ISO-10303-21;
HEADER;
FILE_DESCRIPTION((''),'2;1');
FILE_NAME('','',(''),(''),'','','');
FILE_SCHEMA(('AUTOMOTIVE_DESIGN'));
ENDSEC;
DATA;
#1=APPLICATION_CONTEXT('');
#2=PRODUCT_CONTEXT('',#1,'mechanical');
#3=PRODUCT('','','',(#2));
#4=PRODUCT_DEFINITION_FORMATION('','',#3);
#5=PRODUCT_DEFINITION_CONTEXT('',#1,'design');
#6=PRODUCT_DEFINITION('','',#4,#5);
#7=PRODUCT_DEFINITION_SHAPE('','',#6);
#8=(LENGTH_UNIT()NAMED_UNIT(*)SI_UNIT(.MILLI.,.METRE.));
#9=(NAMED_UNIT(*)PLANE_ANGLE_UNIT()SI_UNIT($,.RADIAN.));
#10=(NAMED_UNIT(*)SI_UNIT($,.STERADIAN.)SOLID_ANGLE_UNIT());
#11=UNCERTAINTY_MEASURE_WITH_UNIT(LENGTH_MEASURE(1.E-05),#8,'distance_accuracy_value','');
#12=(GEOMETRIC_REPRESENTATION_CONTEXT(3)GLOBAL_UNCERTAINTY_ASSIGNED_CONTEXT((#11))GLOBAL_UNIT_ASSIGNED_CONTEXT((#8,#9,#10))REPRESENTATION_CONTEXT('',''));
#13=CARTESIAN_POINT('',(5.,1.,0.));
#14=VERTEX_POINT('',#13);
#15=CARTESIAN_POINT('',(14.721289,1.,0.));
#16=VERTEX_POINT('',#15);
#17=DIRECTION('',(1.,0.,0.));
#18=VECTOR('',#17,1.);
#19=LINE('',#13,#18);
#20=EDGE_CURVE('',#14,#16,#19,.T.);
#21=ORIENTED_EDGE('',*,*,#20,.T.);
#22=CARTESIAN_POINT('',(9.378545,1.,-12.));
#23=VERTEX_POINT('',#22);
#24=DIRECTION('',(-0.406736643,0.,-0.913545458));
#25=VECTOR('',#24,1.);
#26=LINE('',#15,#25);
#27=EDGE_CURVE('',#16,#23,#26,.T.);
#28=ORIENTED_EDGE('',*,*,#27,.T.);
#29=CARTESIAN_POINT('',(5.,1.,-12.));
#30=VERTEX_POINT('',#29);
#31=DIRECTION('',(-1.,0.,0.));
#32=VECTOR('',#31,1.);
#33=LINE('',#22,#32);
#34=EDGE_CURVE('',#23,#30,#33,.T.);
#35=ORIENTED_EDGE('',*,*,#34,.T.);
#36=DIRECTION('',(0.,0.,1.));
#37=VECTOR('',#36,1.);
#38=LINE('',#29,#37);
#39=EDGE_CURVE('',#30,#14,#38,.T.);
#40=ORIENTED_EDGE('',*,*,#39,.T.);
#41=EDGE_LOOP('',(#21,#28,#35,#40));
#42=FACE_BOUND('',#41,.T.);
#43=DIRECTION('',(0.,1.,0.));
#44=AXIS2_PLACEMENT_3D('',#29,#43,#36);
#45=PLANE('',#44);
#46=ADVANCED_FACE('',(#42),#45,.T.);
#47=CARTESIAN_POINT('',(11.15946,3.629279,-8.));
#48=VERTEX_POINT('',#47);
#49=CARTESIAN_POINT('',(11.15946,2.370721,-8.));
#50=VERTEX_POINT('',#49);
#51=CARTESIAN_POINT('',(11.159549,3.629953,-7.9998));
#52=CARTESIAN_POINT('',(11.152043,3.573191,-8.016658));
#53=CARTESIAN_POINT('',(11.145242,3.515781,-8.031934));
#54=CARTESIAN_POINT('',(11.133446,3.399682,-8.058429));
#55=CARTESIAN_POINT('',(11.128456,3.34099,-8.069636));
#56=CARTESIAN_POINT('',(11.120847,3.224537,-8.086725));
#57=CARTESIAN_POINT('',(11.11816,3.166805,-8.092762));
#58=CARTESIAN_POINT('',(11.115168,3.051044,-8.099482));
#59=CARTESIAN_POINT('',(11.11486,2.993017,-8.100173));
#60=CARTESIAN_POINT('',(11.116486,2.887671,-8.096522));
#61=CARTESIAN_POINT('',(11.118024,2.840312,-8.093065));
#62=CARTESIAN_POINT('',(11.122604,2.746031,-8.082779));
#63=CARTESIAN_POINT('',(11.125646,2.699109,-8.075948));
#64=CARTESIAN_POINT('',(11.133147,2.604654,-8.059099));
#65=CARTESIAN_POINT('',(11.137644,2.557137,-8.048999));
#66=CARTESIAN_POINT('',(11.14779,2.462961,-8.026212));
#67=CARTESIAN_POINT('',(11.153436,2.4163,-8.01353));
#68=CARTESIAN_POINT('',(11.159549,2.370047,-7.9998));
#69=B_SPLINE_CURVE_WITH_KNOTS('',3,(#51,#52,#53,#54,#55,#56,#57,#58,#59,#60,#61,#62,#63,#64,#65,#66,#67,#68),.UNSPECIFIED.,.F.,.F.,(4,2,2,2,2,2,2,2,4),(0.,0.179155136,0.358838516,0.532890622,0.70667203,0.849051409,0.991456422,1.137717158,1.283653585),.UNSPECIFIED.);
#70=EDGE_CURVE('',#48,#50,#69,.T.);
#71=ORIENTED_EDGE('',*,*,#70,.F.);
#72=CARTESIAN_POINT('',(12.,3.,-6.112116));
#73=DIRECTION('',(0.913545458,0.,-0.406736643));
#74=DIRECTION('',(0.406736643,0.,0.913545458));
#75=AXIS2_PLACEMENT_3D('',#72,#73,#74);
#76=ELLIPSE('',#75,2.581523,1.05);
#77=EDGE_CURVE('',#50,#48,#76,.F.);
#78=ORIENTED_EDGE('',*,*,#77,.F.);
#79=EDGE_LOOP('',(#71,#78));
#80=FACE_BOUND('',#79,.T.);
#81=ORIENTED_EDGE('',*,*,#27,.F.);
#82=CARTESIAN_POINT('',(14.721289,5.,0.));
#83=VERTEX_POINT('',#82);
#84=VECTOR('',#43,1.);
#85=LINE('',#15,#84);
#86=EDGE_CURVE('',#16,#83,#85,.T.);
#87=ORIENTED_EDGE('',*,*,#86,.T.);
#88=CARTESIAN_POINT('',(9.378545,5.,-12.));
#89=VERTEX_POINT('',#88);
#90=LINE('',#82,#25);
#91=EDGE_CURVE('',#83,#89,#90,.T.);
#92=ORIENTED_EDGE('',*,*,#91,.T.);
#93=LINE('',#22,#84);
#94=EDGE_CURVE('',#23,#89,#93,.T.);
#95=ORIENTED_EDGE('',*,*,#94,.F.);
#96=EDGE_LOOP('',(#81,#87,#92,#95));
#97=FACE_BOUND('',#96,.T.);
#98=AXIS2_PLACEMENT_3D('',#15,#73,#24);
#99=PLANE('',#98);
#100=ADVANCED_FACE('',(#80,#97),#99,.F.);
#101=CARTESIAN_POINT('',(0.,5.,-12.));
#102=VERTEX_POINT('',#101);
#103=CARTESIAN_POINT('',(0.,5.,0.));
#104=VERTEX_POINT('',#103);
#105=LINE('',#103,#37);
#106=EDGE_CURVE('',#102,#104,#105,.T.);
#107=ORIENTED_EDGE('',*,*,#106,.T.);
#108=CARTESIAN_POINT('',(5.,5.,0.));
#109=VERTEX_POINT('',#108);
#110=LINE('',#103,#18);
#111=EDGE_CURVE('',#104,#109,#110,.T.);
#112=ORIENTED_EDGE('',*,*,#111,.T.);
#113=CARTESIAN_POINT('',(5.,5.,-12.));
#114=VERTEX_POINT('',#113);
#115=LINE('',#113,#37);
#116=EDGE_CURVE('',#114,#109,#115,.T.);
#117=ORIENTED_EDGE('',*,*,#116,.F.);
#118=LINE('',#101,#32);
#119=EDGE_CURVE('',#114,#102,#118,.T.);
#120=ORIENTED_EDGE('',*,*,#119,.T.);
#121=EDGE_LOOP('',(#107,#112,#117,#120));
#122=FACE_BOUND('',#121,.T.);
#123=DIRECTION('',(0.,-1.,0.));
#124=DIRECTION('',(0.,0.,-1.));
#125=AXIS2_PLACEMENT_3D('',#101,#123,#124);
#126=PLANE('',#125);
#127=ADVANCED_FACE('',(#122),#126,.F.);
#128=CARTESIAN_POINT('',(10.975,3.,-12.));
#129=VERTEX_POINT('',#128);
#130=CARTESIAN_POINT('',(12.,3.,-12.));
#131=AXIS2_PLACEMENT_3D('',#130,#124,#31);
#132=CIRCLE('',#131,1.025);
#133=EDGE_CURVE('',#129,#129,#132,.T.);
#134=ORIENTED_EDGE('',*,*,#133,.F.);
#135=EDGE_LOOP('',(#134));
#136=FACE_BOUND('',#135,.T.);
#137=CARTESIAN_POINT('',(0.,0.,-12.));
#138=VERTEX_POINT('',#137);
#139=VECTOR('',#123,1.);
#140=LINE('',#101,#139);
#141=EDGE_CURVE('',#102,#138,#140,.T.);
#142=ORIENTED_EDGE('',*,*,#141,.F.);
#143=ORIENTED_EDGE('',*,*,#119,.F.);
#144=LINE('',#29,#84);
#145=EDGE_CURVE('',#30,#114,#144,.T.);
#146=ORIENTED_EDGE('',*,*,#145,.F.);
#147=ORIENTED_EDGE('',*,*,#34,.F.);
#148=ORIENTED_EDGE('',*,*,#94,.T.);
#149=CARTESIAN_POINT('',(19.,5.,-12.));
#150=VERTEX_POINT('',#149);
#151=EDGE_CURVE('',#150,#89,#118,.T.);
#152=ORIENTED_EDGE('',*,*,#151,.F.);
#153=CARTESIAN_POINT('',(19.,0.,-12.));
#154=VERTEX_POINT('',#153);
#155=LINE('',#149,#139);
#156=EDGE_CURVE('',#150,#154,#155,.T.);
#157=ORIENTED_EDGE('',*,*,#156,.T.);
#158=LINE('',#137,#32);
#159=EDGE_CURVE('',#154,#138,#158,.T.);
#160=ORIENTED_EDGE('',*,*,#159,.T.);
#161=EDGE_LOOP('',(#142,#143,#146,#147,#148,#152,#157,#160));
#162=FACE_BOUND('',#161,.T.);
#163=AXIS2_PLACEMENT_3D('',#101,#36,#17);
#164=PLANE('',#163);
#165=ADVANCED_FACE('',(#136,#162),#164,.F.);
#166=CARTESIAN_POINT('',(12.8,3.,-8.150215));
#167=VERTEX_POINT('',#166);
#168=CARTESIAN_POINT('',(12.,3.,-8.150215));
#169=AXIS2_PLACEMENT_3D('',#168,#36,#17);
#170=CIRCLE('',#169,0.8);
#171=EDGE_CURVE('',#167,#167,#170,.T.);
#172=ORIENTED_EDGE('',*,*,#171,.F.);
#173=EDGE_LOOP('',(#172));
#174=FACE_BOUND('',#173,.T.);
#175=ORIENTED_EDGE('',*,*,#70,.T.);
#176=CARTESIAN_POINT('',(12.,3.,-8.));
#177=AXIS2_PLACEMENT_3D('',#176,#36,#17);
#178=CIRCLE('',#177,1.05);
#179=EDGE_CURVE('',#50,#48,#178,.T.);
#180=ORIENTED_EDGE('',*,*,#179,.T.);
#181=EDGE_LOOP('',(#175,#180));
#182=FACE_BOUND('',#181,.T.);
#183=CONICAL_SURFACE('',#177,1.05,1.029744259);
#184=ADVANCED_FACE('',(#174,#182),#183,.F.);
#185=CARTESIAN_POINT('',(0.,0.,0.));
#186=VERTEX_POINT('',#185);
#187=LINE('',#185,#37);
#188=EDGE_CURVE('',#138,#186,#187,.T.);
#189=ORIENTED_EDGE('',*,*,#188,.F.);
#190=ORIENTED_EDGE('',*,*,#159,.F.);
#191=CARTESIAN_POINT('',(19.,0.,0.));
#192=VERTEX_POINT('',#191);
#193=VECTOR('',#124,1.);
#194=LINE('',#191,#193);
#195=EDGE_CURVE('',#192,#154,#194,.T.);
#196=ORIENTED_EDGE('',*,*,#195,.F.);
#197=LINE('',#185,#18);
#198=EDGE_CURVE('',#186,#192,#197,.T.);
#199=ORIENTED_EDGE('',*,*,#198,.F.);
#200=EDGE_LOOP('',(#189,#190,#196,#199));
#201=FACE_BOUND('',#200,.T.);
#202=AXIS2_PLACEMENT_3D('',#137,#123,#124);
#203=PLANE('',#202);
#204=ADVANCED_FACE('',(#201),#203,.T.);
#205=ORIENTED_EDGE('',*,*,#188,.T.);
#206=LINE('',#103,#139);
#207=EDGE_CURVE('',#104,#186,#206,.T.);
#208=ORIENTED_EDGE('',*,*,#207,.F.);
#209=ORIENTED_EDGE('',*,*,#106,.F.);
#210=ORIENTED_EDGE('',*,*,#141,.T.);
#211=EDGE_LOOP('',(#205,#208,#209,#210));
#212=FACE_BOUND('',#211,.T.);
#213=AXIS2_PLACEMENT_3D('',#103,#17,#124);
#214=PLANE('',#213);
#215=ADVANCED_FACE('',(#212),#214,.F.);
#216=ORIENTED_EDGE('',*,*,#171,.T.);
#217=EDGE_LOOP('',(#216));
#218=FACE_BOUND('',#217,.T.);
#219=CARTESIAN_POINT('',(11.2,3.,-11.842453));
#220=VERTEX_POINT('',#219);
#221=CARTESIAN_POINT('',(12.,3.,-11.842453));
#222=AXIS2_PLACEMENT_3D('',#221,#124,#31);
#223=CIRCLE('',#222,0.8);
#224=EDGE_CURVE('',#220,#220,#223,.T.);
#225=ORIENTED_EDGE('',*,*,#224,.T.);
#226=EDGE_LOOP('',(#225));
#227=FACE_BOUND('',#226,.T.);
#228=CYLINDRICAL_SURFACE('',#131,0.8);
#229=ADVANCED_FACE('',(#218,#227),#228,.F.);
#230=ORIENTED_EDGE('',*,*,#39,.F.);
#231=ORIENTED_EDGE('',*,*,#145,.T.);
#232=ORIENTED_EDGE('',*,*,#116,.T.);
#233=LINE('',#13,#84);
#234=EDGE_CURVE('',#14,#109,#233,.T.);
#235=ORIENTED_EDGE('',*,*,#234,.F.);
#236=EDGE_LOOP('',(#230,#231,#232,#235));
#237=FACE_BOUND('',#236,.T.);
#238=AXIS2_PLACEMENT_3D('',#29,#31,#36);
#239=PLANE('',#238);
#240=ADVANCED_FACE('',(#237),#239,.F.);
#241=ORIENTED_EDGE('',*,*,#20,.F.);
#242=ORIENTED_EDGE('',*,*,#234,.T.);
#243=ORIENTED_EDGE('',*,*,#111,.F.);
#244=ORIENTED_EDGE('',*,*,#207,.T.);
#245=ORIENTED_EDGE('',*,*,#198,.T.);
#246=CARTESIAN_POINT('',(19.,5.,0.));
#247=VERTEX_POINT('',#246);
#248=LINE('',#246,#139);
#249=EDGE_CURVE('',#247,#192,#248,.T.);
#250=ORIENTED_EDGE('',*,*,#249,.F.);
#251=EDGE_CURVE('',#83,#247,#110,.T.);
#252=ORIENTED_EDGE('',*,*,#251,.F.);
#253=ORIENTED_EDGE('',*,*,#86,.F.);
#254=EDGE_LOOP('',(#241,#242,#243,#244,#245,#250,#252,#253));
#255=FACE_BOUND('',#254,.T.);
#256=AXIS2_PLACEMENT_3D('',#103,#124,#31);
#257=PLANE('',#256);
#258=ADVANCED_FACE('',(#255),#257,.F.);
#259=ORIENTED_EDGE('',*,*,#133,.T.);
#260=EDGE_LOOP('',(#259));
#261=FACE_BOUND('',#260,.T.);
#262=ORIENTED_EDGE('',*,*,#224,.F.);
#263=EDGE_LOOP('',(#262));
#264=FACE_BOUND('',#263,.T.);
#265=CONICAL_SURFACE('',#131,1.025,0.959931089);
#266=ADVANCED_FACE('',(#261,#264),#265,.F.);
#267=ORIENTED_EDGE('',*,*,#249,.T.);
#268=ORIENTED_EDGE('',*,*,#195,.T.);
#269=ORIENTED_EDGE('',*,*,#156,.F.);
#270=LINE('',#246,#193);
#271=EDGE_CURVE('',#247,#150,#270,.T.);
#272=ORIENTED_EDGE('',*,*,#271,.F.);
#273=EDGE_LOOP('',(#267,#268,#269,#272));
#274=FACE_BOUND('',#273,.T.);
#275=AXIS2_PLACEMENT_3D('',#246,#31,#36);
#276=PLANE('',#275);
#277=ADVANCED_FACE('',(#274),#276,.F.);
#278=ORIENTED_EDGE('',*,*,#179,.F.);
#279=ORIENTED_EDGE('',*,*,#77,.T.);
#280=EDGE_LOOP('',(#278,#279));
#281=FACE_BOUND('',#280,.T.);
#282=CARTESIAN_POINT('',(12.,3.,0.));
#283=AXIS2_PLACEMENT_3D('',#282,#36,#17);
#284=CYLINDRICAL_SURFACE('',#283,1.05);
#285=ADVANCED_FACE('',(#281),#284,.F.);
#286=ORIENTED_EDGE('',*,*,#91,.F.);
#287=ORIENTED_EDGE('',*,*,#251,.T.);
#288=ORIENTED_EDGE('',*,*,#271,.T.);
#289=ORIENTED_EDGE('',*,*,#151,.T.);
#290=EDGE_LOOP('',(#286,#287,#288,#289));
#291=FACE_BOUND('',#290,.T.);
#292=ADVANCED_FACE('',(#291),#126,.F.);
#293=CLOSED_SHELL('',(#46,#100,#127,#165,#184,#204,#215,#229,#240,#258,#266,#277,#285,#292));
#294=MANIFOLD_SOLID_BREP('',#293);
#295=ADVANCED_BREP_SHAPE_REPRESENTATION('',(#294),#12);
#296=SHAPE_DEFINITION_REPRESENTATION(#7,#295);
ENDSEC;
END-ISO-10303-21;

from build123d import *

# Parameters (mm, degrees)
SKETCH_3_W            = 19
SKETCH_3_H            = 12
EXTRUDE_1_DEPTH       = 5
HOLE_WIZARD_M23_D     = 2.1
HOLE_WIZARD_M23_DEPTH = 8
HOLE_WIZARD_M23_TIP   = 0.63090365
CUT_EXTRUDE_1_DEPTH   = 4


with BuildPart() as part:
    # Эскиз3 → Бобышка-Вытянуть1 (new body)
    with BuildSketch(Plane(origin=(0, 0, 0), x_dir=(1, 0, 0), z_dir=(0, 1, 0))):
        with Locations((9.5, 6)):
            Rectangle(SKETCH_3_W, SKETCH_3_H)
    extrude(amount=EXTRUDE_1_DEPTH)

    # Эскиз8 → Отверстие обработанное метчиком M2x0.42 (revolve, cut)
    with BuildSketch(Plane(origin=(12, 3, -12), x_dir=(0, 1, 0), z_dir=(1, 0, 0))):
        Polygon((0, 0), (0, 12), (1.025, 12), (0.8, 11.842453304), (0.8, 0.157546696), (1.025, 0), align=None)
    revolve(axis=Axis((12, 3, -18.35), (0, 0, 1)), mode=Mode.SUBTRACT)

    # Отверстие с зазором M23
    with Locations(Plane.XY):
        with Locations((12, 3)):
            Hole(HOLE_WIZARD_M23_D / 2, depth=HOLE_WIZARD_M23_DEPTH)
            with Locations((0, 0, -(HOLE_WIZARD_M23_DEPTH + HOLE_WIZARD_M23_TIP / 2))):  # 118° drill point
                Cone(0, HOLE_WIZARD_M23_D / 2, HOLE_WIZARD_M23_TIP, mode=Mode.SUBTRACT)

    # Эскиз4 → Вырез-Вытянуть1 (cut)
    with BuildSketch(Plane(origin=(0, 5, 0), x_dir=(1, 0, 0), z_dir=(0, 1, 0))):
        Polygon((5, 12), (5, 0), (14.721289338, 0), (9.378545114, 12), align=None)
    extrude(amount=-CUT_EXTRUDE_1_DEPTH, mode=Mode.SUBTRACT)


solid = part.part
